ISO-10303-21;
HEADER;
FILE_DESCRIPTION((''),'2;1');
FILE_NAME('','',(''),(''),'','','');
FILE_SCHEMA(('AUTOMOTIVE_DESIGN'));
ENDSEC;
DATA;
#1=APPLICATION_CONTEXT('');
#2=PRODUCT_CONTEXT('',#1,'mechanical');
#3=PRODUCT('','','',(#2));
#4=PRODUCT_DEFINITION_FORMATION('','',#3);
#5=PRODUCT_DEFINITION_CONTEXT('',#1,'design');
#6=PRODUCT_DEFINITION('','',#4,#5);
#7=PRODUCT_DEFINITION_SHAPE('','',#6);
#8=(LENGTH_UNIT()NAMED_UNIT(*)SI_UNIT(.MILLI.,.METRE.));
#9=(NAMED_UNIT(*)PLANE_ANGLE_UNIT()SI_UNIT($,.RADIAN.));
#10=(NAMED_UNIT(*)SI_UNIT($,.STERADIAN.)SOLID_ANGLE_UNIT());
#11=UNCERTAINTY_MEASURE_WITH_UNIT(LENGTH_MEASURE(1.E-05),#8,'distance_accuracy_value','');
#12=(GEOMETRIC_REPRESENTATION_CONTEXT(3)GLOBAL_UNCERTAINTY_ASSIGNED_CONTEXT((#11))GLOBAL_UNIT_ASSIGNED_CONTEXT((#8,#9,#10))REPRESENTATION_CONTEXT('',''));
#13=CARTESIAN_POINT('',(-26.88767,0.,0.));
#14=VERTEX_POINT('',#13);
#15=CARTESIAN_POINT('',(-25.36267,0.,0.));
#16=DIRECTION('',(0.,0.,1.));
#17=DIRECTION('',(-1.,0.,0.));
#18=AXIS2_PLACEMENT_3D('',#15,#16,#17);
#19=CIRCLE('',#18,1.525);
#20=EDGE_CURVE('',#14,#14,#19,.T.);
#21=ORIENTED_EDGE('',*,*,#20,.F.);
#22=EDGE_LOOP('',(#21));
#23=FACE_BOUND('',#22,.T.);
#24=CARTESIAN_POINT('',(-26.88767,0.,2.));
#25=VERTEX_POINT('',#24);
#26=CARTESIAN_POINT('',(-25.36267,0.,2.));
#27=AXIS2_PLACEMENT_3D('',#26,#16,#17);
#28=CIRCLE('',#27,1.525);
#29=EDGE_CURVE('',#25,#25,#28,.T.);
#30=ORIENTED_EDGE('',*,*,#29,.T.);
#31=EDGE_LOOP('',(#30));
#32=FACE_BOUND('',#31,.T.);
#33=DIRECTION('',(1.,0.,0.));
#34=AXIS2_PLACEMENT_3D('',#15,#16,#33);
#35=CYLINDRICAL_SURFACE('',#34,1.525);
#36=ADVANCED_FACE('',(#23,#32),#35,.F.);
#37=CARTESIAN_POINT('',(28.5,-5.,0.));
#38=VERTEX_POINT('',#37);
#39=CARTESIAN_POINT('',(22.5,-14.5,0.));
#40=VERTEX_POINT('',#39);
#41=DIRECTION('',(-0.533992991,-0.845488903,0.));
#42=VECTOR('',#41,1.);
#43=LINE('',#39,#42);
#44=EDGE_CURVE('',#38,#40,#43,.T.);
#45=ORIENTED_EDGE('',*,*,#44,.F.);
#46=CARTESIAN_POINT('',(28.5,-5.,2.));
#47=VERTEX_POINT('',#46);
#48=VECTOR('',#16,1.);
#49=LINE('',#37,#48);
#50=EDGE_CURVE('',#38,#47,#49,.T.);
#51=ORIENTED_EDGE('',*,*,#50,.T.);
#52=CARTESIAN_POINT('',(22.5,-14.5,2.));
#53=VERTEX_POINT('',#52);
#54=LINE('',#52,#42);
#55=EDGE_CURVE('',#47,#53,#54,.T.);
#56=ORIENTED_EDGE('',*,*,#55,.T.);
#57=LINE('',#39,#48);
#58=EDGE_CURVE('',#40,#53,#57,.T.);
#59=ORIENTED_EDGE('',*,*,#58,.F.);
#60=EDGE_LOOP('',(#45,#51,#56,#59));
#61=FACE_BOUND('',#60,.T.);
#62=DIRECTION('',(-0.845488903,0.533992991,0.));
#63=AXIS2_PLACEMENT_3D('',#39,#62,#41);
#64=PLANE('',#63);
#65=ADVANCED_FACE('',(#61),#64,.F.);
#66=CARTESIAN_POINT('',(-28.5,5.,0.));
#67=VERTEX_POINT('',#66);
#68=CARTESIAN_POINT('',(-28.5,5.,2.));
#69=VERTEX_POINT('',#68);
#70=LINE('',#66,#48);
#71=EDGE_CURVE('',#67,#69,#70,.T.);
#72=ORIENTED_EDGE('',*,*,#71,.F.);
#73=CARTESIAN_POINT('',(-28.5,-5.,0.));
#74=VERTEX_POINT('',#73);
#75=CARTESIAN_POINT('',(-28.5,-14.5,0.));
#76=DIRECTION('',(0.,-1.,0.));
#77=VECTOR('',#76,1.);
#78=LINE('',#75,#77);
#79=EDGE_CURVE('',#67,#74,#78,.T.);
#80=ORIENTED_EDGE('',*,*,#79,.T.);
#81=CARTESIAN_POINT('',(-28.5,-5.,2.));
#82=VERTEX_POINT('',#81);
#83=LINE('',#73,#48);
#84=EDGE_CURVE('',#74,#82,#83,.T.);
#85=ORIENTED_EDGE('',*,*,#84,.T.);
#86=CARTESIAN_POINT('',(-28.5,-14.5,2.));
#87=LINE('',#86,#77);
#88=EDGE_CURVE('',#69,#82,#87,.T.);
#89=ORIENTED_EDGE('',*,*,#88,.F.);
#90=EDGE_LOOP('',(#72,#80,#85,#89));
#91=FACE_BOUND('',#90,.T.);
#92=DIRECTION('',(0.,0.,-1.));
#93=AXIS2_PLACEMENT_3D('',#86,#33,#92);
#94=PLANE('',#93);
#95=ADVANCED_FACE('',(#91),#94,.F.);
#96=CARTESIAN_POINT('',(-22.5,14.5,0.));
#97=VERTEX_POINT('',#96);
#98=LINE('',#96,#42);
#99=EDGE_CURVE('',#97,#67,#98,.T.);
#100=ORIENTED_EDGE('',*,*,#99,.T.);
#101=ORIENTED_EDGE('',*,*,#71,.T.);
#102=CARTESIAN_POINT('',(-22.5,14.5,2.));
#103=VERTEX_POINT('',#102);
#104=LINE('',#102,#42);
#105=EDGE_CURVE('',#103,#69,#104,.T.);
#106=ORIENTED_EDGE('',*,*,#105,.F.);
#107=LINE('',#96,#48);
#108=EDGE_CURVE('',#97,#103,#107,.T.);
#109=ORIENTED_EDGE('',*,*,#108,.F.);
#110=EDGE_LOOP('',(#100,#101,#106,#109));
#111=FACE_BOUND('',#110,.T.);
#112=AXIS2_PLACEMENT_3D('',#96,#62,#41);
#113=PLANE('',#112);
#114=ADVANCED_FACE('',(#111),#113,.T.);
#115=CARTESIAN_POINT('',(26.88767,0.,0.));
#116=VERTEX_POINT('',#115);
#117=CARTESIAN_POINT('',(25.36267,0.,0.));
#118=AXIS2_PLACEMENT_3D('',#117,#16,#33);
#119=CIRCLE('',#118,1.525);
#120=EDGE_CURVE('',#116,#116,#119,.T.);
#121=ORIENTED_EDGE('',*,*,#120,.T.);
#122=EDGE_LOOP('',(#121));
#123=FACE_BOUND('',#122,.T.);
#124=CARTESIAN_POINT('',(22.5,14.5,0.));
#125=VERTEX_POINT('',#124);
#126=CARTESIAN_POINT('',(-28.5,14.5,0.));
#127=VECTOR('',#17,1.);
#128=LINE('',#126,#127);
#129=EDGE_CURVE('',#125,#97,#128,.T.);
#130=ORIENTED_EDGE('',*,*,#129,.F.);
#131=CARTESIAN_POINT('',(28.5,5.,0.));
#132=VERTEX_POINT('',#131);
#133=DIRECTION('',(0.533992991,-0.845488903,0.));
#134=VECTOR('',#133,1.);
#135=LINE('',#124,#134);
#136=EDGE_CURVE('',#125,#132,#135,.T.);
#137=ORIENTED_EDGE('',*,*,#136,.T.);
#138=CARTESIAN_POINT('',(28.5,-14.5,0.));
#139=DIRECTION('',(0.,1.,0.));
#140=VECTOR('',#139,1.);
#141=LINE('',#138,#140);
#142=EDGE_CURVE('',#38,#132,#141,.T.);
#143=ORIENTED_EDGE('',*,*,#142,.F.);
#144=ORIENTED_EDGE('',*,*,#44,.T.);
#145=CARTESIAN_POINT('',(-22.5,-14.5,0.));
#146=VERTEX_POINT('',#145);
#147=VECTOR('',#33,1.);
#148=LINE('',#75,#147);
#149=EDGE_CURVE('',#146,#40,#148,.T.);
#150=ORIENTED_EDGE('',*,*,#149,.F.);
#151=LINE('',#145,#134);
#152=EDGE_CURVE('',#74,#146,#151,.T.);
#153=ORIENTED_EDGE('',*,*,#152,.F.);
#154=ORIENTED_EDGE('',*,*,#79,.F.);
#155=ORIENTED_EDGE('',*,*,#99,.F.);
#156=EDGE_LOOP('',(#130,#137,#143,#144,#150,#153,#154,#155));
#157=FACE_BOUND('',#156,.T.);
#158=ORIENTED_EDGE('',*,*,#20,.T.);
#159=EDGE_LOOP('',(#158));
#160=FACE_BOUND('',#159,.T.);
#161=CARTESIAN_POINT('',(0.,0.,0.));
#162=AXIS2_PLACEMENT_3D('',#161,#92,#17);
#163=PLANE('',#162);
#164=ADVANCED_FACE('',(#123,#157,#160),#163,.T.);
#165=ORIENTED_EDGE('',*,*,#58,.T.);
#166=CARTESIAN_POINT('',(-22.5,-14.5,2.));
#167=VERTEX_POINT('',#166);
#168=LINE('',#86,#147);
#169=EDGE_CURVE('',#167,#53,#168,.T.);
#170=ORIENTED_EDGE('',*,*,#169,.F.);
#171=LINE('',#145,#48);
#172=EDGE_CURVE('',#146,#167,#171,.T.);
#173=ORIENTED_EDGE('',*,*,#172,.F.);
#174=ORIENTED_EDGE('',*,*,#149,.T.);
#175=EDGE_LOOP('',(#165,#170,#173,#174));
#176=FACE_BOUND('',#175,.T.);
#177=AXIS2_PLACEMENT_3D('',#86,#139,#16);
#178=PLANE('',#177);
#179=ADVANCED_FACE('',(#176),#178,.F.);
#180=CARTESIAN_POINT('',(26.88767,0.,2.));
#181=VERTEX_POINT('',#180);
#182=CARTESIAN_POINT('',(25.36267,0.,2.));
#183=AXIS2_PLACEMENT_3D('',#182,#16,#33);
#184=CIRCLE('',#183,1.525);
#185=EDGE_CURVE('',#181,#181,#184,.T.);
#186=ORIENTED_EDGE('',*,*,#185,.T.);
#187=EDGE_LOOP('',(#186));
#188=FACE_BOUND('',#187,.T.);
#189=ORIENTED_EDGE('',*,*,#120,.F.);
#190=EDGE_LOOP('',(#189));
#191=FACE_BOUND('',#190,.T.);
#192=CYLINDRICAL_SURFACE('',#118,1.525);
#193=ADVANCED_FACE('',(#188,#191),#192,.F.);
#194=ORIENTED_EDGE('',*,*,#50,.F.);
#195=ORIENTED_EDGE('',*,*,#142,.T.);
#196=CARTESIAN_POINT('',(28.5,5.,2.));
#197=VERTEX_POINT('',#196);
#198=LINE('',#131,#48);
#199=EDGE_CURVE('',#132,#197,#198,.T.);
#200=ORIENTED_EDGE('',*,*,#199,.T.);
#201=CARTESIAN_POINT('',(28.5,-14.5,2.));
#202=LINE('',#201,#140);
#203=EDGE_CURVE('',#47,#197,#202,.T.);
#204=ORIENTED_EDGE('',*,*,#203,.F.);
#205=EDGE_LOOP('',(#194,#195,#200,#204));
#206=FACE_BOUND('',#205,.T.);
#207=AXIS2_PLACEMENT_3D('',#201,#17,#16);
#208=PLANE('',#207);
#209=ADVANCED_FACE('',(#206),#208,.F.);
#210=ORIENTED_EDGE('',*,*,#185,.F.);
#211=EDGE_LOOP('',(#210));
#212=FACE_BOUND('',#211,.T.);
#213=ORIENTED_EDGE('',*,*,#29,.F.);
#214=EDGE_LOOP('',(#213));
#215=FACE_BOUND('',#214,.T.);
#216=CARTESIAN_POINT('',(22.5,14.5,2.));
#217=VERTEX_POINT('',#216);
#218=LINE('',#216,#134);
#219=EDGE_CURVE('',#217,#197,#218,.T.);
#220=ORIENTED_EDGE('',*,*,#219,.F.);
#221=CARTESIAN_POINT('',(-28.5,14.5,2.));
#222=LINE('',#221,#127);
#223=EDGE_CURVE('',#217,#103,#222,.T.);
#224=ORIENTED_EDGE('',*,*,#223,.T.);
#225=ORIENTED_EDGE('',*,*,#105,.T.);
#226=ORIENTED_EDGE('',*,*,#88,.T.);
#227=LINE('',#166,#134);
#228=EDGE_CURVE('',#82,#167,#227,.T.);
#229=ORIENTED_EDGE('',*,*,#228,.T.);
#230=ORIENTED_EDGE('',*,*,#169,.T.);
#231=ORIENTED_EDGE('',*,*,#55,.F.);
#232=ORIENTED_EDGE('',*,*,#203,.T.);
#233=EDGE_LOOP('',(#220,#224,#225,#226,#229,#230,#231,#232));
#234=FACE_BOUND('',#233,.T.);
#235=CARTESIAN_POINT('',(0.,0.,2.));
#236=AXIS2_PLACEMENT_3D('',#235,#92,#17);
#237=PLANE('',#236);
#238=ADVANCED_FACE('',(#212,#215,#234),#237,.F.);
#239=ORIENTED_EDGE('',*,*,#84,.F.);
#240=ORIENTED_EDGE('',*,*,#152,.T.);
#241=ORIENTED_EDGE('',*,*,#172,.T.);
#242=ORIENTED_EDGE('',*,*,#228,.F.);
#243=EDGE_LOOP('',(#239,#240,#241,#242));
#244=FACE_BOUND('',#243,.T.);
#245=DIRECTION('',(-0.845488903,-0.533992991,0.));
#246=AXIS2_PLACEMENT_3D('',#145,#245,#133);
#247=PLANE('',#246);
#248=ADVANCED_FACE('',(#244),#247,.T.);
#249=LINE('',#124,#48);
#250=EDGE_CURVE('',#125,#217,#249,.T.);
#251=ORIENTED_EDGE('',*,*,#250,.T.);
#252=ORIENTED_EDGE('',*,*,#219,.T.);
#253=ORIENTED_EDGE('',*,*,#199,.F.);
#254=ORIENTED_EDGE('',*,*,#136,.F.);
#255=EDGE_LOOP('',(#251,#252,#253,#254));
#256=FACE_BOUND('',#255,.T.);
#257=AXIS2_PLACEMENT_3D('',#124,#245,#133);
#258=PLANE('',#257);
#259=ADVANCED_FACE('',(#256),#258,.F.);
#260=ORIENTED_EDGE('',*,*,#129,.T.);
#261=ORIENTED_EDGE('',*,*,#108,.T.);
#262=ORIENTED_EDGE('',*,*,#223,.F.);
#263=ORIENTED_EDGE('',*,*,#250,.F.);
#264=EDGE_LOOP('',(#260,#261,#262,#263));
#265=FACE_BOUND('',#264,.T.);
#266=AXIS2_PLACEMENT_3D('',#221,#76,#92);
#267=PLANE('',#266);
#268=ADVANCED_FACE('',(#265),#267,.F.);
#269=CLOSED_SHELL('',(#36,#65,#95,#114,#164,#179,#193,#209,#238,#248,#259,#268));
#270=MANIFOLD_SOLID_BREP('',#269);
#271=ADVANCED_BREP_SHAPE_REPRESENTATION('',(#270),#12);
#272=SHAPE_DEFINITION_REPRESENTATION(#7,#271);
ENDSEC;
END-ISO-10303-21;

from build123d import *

# Parameters (mm, degrees)
SKETCH_1_W          = 57
SKETCH_1_H          = 29
EXTRUDE_1_DEPTH     = 2
CUT_EXTRUDE_1_DEPTH = 2
SKETCH_3_R          = 1.525
CUT_EXTRUDE_2_DEPTH = 2


with BuildPart() as part:
    # 草图1 → 凸台-拉伸1 (new body)
    with BuildSketch(Plane.XY):
        Rectangle(SKETCH_1_W, SKETCH_1_H)
    extrude(amount=EXTRUDE_1_DEPTH)

    # 草图2 → 切除-拉伸1 (cut)
    with BuildSketch(Plane.XY.offset(2)):
        Polygon((22.5, 14.5), (28.5, 5), (28.5, 14.5), align=None)
        Polygon((28.5, -14.5), (22.5, -14.5), (28.5, -5), align=None)
    cut_extrude_1 = extrude(amount=-CUT_EXTRUDE_1_DEPTH, mode=Mode.SUBTRACT)

    # 镜向1: 切除-拉伸1 across plane
    add(cut_extrude_1.mirror(Plane(origin=(0, 0, 0), x_dir=(0, 0, 1), z_dir=(1, 0, 0))), mode=Mode.SUBTRACT)

    # 草图3 → 切除-拉伸2 (cut)
    with BuildSketch(Plane.XY.offset(2)):
        with Locations((25.362669783, 0)):
            Circle(SKETCH_3_R)
        with Locations(Location((-25.362669783, 0, 0), (0, 0, 180))):
            Circle(SKETCH_3_R)
    extrude(amount=-CUT_EXTRUDE_2_DEPTH, mode=Mode.SUBTRACT)


solid = part.part
